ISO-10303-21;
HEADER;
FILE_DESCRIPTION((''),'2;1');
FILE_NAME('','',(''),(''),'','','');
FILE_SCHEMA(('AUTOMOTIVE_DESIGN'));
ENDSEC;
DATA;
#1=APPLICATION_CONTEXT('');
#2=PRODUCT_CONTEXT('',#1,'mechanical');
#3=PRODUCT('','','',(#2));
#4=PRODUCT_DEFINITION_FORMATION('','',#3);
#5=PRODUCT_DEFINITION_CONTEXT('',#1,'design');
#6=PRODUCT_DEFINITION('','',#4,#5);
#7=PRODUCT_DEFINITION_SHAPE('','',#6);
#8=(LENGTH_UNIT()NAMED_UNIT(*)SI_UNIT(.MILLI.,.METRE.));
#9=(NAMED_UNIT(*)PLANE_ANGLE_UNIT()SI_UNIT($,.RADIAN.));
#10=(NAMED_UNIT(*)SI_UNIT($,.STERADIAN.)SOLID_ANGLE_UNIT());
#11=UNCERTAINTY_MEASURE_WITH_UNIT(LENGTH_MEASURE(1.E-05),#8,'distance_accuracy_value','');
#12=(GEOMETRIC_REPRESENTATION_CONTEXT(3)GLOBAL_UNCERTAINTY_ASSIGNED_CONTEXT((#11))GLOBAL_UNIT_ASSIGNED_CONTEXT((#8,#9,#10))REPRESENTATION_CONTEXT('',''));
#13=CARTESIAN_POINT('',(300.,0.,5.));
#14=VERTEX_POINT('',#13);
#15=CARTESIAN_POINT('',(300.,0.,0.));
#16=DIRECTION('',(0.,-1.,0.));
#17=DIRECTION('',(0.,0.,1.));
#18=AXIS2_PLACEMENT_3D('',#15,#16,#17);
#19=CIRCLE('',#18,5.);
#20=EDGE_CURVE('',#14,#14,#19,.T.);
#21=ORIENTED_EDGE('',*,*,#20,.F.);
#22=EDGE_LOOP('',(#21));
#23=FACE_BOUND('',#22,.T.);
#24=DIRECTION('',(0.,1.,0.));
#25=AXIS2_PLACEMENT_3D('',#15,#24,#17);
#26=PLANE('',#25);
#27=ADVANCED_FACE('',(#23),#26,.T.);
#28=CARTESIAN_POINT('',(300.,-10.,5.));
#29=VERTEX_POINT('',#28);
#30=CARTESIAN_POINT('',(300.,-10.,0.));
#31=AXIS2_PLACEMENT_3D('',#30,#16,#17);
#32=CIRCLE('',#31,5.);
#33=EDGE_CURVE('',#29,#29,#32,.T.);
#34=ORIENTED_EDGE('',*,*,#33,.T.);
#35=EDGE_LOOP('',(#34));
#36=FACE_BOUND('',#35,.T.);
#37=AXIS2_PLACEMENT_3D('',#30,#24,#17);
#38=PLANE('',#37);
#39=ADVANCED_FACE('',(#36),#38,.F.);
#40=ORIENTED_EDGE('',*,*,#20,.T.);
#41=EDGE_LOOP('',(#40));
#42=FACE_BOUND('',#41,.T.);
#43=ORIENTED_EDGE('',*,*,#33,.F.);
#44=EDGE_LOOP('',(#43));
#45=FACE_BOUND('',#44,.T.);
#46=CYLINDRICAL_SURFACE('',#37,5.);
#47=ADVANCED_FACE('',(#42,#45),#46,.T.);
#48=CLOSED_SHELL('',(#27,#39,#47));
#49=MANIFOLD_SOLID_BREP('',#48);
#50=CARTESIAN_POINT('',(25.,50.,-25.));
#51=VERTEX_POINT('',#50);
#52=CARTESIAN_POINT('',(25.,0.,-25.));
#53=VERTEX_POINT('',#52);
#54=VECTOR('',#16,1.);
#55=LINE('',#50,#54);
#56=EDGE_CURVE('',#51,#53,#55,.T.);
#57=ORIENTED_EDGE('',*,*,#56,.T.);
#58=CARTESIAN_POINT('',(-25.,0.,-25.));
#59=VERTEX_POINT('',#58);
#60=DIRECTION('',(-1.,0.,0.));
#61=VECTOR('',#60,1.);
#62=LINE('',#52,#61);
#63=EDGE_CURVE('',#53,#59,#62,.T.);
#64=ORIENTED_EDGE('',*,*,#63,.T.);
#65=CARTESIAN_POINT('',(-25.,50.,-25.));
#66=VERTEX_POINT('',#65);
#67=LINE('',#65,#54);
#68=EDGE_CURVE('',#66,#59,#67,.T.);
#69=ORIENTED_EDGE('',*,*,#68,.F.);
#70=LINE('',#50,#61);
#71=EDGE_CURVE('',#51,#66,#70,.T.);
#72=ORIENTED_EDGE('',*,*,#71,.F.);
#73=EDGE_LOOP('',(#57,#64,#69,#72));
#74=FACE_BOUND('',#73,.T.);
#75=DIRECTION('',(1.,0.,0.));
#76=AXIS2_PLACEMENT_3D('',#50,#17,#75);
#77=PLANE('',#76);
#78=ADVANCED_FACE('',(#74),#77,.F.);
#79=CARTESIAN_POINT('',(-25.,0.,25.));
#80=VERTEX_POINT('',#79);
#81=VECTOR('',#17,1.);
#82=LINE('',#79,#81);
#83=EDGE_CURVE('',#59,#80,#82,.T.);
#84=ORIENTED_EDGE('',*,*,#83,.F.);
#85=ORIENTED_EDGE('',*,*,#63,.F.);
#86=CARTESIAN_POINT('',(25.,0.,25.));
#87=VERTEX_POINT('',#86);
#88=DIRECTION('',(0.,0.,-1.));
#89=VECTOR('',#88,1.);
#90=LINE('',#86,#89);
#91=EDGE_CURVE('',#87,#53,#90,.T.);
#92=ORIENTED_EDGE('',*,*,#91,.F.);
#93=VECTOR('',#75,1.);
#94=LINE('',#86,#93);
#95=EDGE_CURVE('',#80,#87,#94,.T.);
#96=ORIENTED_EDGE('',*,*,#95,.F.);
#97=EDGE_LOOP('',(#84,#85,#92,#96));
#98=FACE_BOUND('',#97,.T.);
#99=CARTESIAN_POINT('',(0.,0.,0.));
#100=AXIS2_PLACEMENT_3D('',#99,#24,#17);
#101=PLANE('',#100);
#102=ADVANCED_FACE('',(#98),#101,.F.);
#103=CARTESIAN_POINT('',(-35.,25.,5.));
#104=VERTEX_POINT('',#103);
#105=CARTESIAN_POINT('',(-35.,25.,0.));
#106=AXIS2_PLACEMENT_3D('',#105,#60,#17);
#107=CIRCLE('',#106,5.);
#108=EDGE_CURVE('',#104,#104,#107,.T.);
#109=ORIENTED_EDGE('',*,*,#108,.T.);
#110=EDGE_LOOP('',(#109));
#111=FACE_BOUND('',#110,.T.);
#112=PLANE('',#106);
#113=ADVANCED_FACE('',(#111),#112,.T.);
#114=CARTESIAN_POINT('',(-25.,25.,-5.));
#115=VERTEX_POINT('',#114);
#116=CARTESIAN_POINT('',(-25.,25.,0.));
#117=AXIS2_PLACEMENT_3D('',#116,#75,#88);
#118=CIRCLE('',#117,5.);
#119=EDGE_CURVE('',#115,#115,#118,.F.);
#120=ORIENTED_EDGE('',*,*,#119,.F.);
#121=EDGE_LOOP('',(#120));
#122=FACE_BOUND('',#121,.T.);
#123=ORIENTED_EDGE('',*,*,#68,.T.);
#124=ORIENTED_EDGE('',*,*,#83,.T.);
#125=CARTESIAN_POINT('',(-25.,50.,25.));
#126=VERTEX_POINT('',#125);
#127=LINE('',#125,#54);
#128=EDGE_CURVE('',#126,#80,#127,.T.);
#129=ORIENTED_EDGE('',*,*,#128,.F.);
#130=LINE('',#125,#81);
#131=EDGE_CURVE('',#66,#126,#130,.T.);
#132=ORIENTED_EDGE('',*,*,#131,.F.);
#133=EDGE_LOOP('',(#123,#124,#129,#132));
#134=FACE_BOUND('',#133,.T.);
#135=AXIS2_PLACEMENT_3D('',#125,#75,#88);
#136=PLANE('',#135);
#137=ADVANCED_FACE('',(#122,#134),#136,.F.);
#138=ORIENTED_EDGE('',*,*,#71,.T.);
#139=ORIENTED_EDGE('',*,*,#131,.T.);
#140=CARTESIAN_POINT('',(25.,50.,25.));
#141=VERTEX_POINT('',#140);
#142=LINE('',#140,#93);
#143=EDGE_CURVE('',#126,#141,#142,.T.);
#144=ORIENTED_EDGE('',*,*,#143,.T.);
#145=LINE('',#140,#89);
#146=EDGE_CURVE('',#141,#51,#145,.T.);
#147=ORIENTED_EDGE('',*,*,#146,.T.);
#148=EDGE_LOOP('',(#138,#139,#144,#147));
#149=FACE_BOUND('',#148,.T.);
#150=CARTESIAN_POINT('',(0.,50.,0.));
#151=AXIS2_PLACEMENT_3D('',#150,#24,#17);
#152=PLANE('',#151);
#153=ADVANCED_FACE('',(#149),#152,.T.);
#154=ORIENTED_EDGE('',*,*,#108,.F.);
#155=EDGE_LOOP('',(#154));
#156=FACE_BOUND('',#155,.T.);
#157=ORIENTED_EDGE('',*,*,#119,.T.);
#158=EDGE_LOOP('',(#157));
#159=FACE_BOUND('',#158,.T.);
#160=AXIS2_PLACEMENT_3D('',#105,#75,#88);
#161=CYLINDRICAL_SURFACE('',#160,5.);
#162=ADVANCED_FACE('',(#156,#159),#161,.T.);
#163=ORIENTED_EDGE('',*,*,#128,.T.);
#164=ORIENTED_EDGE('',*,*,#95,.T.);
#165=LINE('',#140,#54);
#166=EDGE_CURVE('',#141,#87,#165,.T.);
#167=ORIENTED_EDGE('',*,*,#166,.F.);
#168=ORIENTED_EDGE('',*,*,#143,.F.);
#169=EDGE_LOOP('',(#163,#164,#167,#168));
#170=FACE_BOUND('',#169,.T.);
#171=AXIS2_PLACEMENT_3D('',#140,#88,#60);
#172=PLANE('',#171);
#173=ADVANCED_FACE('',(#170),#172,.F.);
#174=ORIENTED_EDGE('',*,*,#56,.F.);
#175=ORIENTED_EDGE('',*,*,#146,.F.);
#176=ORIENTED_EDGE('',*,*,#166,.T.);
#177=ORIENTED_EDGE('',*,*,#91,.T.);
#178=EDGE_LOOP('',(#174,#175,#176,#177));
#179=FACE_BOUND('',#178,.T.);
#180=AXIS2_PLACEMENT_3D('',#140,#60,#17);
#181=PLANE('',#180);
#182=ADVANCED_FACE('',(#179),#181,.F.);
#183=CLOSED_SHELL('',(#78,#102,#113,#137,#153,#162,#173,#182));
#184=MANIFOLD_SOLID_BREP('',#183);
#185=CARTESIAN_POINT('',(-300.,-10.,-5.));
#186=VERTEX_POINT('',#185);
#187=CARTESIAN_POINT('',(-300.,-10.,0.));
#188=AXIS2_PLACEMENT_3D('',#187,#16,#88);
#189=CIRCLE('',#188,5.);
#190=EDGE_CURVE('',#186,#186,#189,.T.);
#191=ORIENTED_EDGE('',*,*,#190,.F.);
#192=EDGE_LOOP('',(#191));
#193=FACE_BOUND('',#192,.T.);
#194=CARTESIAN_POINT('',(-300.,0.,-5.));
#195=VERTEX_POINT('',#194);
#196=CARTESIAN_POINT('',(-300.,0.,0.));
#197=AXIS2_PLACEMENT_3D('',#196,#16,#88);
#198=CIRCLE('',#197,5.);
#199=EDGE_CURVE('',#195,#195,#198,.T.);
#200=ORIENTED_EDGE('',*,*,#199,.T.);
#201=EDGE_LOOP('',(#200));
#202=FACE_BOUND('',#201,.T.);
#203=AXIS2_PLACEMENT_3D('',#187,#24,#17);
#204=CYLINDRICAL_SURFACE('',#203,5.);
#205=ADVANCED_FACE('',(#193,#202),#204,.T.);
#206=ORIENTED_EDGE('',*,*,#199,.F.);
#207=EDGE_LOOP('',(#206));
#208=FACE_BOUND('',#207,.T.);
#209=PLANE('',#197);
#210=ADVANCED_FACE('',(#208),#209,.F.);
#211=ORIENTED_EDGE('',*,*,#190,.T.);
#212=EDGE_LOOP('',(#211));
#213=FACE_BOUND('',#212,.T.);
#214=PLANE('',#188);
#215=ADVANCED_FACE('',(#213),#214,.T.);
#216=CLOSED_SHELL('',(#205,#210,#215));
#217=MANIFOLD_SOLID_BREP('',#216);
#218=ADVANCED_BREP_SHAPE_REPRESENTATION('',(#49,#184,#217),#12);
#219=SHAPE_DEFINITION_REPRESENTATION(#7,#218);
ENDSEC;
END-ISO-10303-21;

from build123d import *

# Parameters (mm, degrees)
SKETCH1_W             = 50
SKETCH1_H             = 50
BOSS_EXTRUDE1_DEPTH   = 50
SKETCH2_R             = 5
BOSS_EXTRUDE2_DEPTH   = 10
BOSS_EXTRUDE2_2_DEPTH = 10
SKETCH3_R             = 5
BOSS_EXTRUDE3_DEPTH   = 10


with BuildPart() as part:
    # Sketch1 → Boss-Extrude1 (new body)
    with BuildSketch(Plane(origin=(0, 0, 0), x_dir=(1, 0, 0), z_dir=(0, 1, 0))):
        Rectangle(SKETCH1_W, SKETCH1_H)
    extrude(amount=BOSS_EXTRUDE1_DEPTH)

    # Sketch3 → Boss-Extrude3 (add)
    with BuildSketch(Plane.ZY.offset(25)):
        with Locations(Location((0, 25, 0), (0, 0, 180))):
            Circle(SKETCH3_R)
    extrude(amount=BOSS_EXTRUDE3_DEPTH)


with BuildPart() as body_2:
    # Sketch2 → Boss-Extrude2 (new body)
    with BuildSketch(Plane.XZ):
        with Locations(Location((-300, 0, 0), (0, 0, 270))):
            Circle(SKETCH2_R)
    extrude(amount=BOSS_EXTRUDE2_DEPTH)


with BuildPart() as body_3:
    # Sketch2 → Boss-Extrude2 2 (new body)
    with BuildSketch(Plane.XZ):
        with Locations(Location((300, 0, 0), (0, 0, 90))):
            Circle(SKETCH2_R)
    extrude(amount=BOSS_EXTRUDE2_2_DEPTH)


solid = Compound([part.part, body_2.part, body_3.part])
